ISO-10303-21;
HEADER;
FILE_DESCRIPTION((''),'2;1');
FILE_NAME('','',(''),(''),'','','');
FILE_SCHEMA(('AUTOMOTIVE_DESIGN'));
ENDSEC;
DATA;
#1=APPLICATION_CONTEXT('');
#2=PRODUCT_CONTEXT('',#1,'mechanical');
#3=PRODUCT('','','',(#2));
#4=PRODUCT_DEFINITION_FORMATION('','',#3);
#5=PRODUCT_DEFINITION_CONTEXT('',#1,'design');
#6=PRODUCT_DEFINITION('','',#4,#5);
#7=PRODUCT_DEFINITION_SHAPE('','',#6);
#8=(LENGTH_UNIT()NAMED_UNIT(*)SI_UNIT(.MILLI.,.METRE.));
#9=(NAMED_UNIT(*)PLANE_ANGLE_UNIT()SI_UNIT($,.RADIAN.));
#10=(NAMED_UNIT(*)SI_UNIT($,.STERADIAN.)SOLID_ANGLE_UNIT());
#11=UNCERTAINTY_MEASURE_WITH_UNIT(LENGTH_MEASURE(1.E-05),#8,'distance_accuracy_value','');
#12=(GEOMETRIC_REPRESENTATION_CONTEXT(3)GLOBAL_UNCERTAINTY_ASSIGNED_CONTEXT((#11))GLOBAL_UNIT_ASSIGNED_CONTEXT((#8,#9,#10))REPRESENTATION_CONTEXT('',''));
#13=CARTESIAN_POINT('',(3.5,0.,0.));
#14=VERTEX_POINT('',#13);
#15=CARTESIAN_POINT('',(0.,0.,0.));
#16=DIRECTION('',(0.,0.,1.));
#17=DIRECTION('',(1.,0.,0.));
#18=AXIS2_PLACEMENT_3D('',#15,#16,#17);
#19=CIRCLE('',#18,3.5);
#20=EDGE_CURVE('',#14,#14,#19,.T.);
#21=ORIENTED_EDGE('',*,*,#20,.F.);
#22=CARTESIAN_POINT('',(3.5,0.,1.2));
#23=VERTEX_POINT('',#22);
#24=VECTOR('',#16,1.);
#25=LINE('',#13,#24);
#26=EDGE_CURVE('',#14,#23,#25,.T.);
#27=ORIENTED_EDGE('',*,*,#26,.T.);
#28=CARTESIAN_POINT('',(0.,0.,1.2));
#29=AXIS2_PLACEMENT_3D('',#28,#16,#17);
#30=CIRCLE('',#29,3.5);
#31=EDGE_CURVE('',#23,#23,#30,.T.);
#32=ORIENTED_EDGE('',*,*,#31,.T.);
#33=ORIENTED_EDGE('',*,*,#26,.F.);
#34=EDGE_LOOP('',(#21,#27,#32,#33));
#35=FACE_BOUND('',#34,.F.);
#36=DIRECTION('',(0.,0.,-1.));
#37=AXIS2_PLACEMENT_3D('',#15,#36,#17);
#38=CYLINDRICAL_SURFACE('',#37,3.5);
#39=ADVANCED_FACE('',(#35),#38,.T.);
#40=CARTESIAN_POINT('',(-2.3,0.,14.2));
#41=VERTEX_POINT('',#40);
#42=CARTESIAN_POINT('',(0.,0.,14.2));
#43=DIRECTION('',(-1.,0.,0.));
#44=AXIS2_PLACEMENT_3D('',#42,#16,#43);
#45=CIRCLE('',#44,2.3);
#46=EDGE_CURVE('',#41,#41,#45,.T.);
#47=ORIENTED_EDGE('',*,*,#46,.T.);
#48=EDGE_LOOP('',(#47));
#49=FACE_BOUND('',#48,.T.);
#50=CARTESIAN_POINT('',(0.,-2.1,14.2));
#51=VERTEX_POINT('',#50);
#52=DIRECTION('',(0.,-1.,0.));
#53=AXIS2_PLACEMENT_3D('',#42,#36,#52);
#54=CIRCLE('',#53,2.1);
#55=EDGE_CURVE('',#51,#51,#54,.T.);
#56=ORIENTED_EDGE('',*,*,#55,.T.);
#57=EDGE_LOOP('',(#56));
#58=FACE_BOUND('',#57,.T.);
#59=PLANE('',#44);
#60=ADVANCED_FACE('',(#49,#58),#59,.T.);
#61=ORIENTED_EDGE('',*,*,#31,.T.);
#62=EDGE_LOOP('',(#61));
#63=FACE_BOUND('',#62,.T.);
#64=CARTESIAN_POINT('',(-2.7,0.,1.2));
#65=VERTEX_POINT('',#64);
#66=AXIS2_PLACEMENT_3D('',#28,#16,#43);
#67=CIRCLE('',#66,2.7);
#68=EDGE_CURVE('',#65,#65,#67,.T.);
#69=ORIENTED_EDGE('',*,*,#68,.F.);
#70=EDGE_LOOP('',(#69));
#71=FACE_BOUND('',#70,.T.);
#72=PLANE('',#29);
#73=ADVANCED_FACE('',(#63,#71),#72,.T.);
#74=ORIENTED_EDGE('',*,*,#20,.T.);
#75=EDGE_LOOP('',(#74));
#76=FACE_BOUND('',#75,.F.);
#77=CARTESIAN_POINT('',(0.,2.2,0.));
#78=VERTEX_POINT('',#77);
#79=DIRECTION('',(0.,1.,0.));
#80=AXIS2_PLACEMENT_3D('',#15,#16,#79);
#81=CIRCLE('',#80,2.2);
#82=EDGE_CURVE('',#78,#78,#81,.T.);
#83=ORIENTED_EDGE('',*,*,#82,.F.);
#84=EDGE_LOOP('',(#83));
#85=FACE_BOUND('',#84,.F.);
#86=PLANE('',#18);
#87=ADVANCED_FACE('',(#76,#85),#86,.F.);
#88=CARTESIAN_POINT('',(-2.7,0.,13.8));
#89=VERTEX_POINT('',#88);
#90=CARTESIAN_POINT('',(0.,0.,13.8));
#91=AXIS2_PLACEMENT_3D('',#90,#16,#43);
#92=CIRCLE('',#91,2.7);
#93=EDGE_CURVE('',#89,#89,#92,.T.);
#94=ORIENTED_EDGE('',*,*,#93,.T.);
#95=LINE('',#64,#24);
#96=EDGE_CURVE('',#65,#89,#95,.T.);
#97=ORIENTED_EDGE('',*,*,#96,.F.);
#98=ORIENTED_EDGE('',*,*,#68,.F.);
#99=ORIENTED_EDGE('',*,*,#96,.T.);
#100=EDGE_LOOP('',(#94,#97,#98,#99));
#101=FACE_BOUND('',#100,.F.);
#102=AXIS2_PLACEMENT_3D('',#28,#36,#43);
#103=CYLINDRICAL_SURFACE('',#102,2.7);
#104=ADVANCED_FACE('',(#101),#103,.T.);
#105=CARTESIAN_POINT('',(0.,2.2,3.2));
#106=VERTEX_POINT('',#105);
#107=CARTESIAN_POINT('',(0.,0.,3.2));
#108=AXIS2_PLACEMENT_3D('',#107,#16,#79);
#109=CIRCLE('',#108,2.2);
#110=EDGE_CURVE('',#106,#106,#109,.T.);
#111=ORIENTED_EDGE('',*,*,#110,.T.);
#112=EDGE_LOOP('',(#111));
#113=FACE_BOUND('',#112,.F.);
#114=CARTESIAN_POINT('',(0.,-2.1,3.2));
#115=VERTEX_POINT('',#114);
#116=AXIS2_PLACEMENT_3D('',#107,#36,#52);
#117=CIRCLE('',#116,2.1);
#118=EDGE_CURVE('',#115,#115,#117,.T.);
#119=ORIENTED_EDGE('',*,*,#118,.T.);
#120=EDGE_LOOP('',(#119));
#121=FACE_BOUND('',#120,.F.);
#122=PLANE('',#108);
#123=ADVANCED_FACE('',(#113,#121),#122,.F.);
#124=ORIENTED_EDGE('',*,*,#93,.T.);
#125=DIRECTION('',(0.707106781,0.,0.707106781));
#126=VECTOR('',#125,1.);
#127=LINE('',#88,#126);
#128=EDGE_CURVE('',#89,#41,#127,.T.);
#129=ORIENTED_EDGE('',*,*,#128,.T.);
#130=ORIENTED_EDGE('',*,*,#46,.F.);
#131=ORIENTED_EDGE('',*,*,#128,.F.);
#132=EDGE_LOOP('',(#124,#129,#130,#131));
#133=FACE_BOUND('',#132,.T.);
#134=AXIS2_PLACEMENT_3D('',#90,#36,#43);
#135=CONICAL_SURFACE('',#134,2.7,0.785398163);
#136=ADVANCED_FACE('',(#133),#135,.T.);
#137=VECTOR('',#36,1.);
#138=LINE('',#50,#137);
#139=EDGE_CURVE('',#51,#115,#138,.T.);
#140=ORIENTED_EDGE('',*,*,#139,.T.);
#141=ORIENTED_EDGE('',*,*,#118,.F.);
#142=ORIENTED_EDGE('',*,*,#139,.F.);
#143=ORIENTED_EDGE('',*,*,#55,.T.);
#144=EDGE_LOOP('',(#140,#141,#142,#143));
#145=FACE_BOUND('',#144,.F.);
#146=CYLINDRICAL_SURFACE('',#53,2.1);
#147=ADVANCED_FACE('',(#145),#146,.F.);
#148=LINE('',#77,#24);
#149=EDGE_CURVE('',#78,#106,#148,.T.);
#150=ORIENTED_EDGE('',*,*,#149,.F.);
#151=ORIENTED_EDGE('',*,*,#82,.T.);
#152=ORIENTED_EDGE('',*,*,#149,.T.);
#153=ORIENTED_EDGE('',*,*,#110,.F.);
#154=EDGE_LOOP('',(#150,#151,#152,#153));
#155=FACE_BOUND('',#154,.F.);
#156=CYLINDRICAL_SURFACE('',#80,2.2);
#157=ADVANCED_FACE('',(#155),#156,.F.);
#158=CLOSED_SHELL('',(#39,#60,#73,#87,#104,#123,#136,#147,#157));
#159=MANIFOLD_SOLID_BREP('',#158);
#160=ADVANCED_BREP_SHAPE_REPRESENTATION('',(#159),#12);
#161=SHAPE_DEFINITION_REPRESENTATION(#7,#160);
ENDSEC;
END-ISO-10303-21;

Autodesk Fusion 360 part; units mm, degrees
sketch "Sketch1" plane through (0, 0, 0) normal (0, 0, 1) x (1, 0, 0)
  circle A0 centre (0, 0) radius 3.5
  dimension "d1" = 7
extrude "Extrude1" add sketch "Sketch1" along normal blind 1.2
sketch "Sketch2" plane through (0, 0, 1.2) normal (0, 0, 1) x (-1, 0, 0)
  circle A0 centre (0, 0) radius 3.5
  circle A1 centre (0, 0) radius 2.7
  dimension "d4" = 5.4
extrude "Extrude2" add sketch "Sketch2" along normal blind 13 contours A1
chamfer "Chamfer1" distance 0.4 angle 45 1 edges at (2.5173, 0.9764, 14.2)
sketch "Sketch3" plane through (0, 0, 14.2) normal (0, 0, 1) x (-1, 0, 0)
  circle A0 centre (0, 0) radius 2.3
  circle A1 centre (0, 0) radius 1.9
  dimension "d8" = 3.8
hole "Hole1" at (0, 0, 14.2) direction (0, 0, -1) diameter 4.2 depth 11 tip angle 180
sketch "Sketch4" plane through (0, 0, 0) normal (0, 0, -1) x (1, 0, 0)
  circle A0 centre (0, 0) radius 3.5
  circle A1 centre (0, 0) radius 2.2
  dimension "d12" = 4.4
hole "Hole2" at (0, 0, 0) direction (0, 0, 1) diameter 4.4 depth 3.2 tip angle 180
